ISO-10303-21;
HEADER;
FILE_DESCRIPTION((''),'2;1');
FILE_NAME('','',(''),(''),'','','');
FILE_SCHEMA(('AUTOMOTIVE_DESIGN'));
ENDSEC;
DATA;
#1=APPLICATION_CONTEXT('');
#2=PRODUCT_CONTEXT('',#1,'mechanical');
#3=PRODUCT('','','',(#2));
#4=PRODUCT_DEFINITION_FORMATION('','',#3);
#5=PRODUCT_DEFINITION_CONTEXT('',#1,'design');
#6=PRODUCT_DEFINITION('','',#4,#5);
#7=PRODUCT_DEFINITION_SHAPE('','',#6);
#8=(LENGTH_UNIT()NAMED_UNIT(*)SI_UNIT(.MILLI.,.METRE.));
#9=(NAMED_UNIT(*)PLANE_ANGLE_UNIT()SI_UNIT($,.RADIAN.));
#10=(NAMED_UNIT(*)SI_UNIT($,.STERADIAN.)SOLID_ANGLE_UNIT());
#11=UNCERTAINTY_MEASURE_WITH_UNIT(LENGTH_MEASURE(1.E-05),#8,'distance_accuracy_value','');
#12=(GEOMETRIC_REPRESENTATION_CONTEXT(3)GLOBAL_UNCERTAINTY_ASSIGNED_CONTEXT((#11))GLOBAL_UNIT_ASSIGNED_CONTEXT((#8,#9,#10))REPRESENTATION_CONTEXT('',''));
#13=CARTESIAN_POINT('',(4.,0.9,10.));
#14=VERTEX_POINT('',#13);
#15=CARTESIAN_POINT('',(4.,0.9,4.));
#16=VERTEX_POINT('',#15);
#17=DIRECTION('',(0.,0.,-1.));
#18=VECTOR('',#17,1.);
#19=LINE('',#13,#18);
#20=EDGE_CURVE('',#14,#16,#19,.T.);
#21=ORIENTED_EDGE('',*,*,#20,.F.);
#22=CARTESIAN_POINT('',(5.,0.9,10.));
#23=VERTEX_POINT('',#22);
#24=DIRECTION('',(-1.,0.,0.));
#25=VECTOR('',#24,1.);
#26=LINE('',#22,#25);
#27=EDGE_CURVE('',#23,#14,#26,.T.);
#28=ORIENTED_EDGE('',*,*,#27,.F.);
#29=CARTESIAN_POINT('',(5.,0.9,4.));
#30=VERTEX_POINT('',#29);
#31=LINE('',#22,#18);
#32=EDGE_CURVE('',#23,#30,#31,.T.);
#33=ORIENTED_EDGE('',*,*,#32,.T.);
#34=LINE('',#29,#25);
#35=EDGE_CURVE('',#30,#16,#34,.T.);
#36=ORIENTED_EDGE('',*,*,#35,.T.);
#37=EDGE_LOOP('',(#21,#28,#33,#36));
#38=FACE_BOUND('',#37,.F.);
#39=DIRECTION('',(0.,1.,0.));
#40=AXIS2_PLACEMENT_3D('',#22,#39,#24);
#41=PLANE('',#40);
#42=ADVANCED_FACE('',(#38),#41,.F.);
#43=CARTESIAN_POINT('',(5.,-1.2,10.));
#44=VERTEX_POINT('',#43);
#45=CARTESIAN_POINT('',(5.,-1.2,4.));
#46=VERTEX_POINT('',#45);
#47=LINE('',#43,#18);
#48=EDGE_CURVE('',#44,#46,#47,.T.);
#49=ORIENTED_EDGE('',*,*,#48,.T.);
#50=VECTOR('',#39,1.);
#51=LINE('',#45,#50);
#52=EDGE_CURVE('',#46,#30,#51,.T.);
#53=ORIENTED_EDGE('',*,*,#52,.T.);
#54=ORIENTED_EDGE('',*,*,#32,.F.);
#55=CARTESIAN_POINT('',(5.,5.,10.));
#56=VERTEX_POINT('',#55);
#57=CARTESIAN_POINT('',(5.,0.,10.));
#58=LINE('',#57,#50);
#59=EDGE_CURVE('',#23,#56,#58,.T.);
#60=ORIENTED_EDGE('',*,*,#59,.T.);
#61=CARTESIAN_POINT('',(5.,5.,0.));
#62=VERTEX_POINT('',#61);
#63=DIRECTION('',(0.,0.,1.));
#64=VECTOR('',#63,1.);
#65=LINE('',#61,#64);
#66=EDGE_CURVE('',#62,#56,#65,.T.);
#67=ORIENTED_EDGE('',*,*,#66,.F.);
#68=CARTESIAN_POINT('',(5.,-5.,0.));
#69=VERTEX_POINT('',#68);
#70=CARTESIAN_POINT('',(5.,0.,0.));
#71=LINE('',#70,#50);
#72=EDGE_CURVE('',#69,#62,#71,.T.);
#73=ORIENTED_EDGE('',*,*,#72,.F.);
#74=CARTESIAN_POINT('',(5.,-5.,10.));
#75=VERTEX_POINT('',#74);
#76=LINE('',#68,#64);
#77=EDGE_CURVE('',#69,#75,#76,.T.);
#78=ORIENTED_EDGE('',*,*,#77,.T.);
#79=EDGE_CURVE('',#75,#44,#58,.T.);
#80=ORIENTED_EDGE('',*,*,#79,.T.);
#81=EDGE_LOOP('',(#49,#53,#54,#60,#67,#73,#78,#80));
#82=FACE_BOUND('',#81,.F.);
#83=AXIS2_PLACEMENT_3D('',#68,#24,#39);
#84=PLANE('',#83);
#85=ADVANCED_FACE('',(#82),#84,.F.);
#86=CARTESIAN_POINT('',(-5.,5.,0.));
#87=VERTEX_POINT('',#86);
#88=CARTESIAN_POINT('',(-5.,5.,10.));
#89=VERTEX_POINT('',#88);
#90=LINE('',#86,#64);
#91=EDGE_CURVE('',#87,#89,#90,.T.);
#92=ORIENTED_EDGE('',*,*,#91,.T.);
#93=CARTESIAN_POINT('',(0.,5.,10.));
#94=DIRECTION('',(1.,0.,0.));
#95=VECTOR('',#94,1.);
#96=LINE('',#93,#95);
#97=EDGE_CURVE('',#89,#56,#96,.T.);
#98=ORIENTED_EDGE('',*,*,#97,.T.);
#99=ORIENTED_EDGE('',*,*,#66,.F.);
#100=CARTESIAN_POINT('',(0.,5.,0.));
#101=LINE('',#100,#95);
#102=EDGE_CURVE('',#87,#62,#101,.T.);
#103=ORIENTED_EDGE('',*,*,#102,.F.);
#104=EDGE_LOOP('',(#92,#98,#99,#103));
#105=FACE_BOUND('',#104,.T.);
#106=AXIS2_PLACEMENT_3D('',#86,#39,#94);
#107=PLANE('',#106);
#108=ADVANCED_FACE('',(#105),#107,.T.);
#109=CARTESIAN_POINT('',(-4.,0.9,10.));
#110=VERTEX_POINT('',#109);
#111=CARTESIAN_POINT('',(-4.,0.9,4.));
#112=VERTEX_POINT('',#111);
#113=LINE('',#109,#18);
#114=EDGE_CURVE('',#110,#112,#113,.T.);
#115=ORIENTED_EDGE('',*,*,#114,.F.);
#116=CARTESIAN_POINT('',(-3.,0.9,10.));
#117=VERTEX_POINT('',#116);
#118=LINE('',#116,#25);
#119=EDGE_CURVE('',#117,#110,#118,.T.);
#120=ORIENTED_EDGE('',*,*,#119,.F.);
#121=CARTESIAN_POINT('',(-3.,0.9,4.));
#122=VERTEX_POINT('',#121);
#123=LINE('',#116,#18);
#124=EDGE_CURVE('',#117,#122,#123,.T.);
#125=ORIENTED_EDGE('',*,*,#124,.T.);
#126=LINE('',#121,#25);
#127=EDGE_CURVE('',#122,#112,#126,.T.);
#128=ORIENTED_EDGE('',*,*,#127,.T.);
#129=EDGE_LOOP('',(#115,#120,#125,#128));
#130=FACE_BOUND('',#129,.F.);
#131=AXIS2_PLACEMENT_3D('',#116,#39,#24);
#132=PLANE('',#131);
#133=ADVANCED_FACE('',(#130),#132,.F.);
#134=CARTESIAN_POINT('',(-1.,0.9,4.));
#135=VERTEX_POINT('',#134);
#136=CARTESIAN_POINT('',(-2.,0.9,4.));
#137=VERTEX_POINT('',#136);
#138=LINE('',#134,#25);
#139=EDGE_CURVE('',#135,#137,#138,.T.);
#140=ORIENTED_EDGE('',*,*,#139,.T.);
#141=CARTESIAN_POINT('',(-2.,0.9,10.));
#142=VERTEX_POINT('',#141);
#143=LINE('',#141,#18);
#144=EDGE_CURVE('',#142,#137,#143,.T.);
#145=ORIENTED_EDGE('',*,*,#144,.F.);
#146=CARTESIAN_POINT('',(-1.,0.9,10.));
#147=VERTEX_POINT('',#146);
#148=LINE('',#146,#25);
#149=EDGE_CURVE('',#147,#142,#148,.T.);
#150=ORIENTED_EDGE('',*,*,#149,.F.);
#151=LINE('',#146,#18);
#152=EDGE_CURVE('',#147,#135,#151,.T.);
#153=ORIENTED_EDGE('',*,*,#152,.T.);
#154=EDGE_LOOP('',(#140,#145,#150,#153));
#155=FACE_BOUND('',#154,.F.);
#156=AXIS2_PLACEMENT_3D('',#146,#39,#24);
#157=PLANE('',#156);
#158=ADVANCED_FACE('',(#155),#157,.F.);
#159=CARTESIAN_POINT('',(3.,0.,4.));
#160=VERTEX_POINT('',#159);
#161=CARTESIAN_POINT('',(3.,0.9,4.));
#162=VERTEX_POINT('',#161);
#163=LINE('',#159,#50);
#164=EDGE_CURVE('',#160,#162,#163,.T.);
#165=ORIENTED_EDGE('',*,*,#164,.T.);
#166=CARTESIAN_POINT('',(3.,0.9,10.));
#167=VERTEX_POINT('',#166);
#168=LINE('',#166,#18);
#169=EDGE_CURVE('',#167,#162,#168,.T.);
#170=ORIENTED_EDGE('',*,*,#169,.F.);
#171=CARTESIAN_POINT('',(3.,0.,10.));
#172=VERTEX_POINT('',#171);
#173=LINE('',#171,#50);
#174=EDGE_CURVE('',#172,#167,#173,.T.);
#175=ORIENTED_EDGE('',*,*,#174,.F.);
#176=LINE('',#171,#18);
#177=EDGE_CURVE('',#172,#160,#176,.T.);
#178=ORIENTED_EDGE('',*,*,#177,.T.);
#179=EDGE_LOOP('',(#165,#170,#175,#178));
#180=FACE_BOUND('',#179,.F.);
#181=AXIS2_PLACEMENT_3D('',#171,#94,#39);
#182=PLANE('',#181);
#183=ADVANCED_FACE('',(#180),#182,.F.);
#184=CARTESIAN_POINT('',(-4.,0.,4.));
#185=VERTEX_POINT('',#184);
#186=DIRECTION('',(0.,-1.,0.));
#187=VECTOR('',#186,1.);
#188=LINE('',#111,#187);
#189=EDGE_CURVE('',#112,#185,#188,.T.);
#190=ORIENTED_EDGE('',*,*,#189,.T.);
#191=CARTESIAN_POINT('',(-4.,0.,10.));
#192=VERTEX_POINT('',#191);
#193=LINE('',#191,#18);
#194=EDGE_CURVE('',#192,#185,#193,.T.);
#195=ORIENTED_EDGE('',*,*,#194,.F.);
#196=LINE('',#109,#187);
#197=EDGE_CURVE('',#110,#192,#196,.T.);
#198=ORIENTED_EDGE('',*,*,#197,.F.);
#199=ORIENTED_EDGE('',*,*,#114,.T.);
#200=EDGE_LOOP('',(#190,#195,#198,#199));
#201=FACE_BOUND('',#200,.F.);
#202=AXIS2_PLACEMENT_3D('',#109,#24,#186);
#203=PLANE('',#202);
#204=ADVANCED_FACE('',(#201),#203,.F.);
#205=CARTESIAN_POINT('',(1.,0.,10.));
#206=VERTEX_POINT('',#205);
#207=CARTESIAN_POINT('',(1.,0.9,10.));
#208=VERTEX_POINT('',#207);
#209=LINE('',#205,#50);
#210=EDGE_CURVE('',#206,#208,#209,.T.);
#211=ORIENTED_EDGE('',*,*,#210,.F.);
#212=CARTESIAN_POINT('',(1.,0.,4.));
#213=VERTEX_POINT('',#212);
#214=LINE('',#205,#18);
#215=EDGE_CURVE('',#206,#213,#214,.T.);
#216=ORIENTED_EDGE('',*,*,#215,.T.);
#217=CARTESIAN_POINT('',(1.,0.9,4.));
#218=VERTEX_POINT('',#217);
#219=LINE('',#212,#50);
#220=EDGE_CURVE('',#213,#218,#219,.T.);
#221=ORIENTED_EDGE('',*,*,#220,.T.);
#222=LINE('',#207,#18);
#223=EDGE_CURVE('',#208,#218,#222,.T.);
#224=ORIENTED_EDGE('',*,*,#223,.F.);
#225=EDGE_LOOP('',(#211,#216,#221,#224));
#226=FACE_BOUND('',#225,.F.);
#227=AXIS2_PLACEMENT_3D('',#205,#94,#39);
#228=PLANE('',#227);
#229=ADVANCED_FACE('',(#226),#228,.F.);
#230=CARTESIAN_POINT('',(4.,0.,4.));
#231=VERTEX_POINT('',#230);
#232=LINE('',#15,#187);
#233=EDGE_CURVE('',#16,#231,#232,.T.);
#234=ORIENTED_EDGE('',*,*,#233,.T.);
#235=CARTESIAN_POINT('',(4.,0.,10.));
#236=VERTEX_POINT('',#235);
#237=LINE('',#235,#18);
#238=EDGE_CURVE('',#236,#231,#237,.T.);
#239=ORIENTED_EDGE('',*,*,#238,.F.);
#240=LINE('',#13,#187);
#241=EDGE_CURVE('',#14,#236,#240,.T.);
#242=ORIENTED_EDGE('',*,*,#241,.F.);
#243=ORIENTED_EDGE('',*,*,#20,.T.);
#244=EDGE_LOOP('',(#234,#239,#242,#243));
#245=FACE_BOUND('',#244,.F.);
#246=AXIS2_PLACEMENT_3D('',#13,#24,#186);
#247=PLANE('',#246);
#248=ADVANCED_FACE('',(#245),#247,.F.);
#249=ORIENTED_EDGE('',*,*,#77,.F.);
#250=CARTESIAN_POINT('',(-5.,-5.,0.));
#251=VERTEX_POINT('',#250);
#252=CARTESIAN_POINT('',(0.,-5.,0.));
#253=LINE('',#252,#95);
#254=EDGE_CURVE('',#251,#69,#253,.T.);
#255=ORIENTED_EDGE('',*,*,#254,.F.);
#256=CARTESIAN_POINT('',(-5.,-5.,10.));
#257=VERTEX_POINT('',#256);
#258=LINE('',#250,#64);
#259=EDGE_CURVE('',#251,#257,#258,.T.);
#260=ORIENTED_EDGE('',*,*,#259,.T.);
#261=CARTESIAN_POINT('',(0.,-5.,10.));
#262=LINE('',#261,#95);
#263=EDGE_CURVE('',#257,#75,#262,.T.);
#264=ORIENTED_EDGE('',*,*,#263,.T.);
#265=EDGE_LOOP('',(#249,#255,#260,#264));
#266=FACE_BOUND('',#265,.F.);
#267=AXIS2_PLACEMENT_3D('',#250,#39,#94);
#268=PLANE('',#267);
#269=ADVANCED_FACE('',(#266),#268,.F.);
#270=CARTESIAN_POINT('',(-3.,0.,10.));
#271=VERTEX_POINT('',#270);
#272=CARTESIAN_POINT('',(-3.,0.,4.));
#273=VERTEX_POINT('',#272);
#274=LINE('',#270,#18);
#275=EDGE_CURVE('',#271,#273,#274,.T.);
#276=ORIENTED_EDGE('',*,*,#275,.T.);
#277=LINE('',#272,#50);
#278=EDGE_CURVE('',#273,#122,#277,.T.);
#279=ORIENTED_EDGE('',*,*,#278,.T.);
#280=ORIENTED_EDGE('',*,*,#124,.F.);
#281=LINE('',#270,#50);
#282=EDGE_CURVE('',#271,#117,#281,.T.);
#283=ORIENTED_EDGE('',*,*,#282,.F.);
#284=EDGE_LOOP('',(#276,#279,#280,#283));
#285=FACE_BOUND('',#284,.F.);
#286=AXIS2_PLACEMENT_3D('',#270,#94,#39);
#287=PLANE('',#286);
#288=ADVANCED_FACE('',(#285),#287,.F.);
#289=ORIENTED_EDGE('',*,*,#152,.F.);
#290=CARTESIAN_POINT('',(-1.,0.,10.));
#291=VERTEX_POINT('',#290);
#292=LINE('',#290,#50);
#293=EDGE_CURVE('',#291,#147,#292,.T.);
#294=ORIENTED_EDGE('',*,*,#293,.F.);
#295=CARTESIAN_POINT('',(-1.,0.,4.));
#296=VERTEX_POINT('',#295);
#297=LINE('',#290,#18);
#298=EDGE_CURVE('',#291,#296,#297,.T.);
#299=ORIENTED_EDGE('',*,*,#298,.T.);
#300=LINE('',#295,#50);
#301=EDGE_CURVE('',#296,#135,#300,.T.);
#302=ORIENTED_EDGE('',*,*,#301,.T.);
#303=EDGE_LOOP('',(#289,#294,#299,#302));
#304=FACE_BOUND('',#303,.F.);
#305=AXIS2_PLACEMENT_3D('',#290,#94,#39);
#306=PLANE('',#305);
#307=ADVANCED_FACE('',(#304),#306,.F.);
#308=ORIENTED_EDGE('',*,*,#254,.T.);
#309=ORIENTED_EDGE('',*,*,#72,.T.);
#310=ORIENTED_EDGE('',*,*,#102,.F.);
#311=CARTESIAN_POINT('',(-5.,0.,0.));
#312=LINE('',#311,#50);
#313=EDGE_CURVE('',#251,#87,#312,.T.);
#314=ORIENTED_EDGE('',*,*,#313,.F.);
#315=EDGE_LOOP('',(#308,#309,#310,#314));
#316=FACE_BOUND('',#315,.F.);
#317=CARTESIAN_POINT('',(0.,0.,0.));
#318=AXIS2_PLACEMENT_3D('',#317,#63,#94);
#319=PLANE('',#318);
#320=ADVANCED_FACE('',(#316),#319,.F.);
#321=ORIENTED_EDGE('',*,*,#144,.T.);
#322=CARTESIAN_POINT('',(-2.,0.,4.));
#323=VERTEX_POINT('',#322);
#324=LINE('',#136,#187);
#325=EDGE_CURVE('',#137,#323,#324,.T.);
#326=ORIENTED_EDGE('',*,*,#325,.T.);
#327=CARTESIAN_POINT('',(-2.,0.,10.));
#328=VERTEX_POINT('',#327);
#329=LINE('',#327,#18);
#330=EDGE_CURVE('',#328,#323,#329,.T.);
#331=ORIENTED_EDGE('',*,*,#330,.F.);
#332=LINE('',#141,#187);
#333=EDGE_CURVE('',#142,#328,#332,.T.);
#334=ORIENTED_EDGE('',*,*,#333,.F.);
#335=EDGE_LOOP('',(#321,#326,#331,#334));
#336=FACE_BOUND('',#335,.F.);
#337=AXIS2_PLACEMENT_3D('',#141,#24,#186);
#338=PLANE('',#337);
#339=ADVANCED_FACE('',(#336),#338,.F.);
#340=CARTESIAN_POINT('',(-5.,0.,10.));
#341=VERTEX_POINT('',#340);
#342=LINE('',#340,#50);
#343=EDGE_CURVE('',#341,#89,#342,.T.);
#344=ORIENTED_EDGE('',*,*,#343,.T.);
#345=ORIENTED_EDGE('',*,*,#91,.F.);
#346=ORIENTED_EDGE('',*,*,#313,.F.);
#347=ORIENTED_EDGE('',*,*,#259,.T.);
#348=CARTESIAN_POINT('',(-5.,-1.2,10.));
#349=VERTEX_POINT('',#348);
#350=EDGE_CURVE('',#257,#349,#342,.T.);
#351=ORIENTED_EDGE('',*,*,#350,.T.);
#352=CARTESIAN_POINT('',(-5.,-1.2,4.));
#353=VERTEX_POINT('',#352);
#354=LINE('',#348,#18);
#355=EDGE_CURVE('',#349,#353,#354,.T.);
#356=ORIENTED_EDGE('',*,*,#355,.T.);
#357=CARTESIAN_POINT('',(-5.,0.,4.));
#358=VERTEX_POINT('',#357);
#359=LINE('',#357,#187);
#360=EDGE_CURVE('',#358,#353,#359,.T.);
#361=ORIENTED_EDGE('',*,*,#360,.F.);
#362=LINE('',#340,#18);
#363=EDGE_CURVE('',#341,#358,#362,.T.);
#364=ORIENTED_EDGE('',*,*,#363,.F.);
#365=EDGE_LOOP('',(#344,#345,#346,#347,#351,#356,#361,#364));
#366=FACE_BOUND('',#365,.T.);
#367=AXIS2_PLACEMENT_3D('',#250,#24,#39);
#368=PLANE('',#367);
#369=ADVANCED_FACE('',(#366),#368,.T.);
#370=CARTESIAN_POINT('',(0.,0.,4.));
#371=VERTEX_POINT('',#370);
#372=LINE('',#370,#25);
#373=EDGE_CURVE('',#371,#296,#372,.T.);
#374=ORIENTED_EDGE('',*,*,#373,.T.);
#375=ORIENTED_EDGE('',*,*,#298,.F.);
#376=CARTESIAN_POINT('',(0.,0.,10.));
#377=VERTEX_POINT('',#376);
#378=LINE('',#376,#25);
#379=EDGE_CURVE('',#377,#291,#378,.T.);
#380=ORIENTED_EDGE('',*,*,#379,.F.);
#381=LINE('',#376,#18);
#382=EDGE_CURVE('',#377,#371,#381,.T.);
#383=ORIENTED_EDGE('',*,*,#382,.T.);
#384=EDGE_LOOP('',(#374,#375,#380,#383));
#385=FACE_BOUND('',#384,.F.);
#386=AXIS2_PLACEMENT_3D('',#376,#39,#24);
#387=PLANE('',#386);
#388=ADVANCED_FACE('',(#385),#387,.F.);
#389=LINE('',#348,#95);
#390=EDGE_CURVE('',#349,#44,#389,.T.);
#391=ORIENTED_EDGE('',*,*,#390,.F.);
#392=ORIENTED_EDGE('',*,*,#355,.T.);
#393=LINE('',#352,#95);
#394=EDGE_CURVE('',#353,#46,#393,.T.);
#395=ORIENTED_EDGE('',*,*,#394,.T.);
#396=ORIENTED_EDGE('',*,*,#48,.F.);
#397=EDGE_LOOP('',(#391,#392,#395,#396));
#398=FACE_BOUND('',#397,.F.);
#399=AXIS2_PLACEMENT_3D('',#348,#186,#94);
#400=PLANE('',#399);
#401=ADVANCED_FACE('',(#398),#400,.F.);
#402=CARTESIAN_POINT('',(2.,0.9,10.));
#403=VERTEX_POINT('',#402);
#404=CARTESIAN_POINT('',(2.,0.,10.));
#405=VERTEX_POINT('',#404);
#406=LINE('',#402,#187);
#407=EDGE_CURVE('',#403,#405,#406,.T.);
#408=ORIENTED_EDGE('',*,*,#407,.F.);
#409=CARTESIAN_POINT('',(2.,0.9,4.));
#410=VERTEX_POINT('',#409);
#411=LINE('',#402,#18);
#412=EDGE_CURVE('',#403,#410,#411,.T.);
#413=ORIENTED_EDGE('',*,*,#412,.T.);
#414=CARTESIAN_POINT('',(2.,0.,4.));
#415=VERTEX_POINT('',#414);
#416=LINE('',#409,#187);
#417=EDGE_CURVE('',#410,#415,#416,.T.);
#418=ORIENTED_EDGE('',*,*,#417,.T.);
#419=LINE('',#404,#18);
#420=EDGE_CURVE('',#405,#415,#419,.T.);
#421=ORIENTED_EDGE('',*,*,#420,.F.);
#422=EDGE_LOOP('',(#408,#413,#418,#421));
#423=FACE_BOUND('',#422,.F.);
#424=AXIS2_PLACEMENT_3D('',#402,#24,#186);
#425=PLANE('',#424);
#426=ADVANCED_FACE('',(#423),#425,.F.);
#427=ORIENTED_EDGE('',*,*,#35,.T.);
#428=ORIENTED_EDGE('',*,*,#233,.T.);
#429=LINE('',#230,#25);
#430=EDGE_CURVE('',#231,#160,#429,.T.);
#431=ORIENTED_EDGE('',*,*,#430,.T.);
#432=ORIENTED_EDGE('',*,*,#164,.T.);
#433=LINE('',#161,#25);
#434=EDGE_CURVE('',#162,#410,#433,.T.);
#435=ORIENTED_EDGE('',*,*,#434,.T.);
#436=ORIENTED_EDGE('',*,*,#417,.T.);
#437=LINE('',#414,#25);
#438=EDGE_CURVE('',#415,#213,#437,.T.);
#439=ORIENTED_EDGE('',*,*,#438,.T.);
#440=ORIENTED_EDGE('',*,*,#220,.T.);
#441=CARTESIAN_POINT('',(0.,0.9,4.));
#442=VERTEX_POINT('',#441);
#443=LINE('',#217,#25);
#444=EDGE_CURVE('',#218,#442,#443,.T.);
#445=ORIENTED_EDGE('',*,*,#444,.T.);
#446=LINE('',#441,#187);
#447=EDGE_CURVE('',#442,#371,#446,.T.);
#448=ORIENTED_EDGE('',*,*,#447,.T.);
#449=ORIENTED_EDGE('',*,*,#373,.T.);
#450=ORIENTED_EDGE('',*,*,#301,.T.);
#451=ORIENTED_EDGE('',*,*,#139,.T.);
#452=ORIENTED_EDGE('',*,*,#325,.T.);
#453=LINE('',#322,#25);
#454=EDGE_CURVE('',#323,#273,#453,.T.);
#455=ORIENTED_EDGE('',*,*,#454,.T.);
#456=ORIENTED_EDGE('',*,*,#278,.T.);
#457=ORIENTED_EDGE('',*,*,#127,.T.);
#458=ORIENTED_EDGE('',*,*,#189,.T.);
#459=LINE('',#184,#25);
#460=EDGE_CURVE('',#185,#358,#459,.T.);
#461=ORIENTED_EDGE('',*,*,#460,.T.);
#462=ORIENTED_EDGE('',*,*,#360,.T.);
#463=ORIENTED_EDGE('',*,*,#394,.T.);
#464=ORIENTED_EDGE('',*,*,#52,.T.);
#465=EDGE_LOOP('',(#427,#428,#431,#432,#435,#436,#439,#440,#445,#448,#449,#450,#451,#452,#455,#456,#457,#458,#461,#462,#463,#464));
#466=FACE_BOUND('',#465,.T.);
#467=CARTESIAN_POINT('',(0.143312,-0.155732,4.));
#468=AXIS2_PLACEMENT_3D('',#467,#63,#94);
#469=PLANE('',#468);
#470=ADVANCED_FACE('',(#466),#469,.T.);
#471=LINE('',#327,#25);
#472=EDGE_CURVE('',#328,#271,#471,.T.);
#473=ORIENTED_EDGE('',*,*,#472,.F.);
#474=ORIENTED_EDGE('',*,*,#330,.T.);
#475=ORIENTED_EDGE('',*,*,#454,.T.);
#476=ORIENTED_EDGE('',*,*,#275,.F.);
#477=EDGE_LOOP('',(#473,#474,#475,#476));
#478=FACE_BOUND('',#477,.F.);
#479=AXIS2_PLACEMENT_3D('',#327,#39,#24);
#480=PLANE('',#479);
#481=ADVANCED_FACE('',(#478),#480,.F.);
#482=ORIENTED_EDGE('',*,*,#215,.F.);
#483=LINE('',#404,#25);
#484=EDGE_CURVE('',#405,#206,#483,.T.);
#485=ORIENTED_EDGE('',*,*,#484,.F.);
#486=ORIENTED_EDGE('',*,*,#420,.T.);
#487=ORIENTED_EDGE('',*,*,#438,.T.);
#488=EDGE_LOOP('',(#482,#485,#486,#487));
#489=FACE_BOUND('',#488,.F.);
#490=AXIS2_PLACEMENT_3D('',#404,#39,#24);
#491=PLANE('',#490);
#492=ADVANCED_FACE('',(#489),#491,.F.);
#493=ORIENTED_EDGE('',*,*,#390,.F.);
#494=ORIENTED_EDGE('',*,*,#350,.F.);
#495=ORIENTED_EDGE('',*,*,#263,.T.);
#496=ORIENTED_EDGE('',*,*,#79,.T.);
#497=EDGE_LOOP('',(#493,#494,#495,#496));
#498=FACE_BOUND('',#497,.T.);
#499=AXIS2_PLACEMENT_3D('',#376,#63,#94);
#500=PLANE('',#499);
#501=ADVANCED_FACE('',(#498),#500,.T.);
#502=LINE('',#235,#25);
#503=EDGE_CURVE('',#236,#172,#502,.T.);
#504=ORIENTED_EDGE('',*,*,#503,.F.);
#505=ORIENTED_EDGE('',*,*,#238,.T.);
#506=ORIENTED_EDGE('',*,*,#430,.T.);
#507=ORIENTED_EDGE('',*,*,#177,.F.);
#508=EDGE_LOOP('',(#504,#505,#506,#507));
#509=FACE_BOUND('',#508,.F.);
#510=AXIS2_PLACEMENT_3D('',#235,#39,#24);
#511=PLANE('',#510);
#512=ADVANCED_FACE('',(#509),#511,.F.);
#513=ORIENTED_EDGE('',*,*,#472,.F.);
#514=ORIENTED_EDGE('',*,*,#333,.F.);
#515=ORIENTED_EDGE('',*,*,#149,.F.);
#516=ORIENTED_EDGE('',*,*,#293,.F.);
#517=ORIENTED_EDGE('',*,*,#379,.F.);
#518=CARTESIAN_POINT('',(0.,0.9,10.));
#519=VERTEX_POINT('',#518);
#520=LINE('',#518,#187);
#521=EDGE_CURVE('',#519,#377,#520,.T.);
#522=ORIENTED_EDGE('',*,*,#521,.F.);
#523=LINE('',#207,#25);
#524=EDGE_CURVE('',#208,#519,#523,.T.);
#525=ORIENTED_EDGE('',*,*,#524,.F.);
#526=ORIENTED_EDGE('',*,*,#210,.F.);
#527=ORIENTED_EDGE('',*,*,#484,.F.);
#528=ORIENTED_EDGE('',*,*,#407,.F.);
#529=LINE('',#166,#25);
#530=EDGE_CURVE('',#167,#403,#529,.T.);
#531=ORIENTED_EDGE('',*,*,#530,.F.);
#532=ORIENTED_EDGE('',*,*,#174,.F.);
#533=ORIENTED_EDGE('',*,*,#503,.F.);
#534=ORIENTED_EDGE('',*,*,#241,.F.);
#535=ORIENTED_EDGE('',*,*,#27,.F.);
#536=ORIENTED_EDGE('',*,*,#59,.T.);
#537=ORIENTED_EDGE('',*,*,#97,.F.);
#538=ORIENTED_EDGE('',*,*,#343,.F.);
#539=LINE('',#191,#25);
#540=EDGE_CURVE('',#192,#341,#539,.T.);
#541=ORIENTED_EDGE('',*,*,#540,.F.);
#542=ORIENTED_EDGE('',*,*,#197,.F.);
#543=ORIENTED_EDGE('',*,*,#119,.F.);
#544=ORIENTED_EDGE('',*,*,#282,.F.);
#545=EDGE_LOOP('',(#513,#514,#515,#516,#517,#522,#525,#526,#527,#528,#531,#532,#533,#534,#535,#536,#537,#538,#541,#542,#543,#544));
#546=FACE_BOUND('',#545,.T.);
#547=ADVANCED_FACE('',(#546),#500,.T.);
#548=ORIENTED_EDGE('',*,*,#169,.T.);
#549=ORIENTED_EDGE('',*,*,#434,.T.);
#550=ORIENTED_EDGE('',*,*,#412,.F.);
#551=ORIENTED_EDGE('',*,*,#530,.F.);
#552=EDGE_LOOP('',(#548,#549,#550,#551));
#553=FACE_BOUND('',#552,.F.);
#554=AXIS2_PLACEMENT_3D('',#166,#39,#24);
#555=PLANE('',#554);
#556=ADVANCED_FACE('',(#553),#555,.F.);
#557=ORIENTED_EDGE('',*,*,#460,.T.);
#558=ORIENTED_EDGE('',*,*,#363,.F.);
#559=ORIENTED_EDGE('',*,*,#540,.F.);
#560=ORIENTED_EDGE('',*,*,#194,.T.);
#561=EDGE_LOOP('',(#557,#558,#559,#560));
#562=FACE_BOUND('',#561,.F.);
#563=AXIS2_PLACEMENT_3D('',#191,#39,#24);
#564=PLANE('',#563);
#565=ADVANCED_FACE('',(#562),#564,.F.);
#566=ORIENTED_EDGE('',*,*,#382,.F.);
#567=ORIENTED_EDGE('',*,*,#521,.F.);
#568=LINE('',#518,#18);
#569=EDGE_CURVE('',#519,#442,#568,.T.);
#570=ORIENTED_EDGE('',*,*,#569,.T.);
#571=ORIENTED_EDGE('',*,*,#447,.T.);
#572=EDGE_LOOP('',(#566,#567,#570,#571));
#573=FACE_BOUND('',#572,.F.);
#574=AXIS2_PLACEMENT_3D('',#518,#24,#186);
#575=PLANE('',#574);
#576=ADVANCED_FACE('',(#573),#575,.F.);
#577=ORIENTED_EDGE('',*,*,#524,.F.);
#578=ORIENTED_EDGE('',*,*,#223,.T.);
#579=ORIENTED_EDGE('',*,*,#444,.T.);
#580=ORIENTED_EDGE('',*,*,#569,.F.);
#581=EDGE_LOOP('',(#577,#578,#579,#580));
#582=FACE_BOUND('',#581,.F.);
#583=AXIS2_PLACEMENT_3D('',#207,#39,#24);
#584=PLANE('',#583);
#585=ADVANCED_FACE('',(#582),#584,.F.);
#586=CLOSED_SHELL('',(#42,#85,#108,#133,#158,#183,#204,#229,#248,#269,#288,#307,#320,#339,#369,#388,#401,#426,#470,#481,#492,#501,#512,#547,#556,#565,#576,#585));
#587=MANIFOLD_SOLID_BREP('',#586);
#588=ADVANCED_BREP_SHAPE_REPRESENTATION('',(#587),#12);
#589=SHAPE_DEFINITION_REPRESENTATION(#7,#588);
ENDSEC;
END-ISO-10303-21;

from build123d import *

# Parameters (mm, degrees)
F0_W     = 10
F0_H     = 10
F1_DEPTH = 10
F3_DEPTH = 6


with BuildPart() as f1:
    # F0 (on Top) → F1 (new body)
    with BuildSketch(Plane.XY):
        Rectangle(F0_W, F0_H)
    extrude(amount=F1_DEPTH)

    # F2 (on face) → F3 (cut)
    with BuildSketch(Plane.XY.offset(10)):
        Polygon((-4, 0), (-5, 0), (-5, -1.2), (5, -1.2), (5, 0), (5, 0.9), (4, 0.9), (4, 0), (3, 0), (3, 0.9), (2, 0.9), (2, 0), (1, 0), (1, 0.9), (0, 0.9), (0, 0), (-1, 0), (-1, 0.9), (-2, 0.9), (-2, 0), (-3, 0), (-3, 0.9), (-4, 0.9), align=None)
    extrude(amount=-F3_DEPTH, mode=Mode.SUBTRACT)


solid = f1.part
